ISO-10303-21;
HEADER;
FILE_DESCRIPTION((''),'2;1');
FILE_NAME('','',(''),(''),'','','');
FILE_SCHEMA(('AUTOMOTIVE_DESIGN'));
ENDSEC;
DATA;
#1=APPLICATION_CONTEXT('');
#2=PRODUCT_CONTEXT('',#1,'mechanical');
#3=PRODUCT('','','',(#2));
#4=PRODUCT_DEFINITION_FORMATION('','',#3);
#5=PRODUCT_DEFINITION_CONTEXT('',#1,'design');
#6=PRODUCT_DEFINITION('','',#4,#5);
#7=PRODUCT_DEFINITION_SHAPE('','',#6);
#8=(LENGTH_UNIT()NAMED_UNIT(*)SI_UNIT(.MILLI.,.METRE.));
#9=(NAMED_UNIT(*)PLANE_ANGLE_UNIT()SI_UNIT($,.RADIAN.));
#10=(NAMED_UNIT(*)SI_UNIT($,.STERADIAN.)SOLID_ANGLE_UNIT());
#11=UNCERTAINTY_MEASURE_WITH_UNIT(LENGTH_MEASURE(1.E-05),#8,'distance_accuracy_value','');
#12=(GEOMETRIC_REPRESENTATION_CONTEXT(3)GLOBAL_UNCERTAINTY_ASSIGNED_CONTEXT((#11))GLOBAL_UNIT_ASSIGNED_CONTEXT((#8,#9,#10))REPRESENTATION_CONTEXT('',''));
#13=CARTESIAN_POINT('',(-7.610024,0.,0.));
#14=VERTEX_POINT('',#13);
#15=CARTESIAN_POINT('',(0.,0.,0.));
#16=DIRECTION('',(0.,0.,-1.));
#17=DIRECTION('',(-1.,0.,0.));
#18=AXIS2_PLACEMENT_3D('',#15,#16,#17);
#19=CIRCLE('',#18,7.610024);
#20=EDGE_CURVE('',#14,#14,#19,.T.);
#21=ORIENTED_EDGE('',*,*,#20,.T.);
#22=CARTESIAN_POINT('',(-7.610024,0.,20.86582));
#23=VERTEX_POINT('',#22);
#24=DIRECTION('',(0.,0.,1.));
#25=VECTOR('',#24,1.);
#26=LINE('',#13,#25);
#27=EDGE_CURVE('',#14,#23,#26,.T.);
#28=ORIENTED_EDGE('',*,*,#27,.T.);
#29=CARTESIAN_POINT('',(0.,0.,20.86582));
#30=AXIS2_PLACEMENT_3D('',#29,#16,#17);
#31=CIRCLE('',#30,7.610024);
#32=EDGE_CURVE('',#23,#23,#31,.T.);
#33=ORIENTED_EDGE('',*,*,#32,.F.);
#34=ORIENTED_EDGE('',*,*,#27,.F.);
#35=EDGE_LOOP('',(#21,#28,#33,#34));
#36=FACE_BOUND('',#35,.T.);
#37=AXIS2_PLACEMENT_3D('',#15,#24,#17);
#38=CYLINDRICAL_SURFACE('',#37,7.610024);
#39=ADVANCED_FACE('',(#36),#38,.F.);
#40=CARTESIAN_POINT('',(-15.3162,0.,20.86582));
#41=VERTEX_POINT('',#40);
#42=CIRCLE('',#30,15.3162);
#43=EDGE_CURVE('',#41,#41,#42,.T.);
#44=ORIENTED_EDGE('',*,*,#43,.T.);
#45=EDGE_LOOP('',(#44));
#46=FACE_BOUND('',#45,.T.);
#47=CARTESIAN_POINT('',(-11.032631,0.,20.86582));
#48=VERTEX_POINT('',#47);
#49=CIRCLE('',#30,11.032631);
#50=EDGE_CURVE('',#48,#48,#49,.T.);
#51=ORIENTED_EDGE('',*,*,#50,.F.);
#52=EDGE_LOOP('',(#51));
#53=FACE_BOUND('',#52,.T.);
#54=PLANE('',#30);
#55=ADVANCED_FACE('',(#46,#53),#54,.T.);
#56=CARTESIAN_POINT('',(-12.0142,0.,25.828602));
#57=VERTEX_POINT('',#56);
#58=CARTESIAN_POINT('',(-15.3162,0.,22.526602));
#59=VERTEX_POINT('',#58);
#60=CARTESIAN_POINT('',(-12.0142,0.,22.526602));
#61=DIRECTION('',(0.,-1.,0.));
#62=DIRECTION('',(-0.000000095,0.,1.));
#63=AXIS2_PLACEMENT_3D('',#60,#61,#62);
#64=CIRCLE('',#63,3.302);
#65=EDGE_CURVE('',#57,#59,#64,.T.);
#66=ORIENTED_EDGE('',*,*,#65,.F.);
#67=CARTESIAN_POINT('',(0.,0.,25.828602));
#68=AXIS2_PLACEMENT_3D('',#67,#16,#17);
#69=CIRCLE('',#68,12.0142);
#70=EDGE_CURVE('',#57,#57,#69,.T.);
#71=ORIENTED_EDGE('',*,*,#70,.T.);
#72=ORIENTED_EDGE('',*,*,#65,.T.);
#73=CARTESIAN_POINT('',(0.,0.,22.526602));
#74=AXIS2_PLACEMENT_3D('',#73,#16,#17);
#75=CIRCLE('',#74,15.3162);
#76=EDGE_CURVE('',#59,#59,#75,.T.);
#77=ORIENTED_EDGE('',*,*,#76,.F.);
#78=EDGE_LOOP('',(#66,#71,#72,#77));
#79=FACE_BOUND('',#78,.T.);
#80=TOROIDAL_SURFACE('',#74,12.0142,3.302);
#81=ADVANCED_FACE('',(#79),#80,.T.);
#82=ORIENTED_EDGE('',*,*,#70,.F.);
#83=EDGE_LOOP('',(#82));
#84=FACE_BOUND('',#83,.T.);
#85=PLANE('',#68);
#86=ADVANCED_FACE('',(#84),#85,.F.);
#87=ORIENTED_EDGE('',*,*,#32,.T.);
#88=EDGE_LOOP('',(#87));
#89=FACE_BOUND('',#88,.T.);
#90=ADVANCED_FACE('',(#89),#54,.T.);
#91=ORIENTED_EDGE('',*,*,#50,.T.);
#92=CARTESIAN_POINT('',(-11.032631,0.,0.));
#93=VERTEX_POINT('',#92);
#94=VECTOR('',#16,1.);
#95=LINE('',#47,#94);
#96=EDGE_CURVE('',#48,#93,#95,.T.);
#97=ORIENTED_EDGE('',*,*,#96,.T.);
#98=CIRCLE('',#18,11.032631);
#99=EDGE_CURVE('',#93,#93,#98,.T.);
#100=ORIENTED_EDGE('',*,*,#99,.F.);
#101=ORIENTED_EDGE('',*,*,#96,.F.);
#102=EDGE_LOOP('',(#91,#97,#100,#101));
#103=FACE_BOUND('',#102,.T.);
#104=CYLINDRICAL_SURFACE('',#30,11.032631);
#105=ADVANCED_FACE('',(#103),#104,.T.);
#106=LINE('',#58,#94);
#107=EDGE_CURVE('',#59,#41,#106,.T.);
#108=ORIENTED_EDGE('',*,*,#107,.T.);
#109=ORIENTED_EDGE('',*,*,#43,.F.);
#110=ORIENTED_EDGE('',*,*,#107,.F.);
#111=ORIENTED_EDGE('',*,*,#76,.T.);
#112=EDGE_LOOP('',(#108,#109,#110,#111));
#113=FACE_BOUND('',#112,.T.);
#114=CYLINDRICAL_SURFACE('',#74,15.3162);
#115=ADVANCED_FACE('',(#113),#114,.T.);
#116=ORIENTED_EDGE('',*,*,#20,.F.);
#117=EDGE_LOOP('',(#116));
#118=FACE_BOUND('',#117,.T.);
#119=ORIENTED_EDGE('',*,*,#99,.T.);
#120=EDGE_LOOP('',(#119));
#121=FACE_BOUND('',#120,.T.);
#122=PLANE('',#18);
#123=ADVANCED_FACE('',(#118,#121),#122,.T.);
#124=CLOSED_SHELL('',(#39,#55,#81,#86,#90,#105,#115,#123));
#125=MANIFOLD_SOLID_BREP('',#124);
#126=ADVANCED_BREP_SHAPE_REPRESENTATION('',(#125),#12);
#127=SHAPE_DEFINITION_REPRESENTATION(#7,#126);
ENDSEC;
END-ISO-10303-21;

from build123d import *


with BuildPart() as f1:
    # F0 (on Front) → F1 (revolve)
    with BuildSketch(Plane.XZ):
        with BuildLine():
            Line((-11.032631, 20.86582), (-11.032631, 0))
            Line((-11.032631, 0), (-7.610024, 0))
            Line((-7.610024, 0), (-7.610024, 20.86582))
            Line((-7.610024, 20.86582), (0, 20.86582))
            Line((0, 20.86582), (0, 25.828602))
            Line((0, 25.828602), (-12.0142, 25.828602))
            ThreePointArc((-12.0142, 25.828602), (-14.349067, 24.861468), (-15.3162, 22.526602))
            Line((-15.3162, 22.526602), (-15.3162, 20.86582))
            Line((-15.3162, 20.86582), (-11.032631, 20.86582))
        make_face()
    revolve(axis=Axis((0, 0, 10.43291), (0, 0, -1)))


solid = f1.part
